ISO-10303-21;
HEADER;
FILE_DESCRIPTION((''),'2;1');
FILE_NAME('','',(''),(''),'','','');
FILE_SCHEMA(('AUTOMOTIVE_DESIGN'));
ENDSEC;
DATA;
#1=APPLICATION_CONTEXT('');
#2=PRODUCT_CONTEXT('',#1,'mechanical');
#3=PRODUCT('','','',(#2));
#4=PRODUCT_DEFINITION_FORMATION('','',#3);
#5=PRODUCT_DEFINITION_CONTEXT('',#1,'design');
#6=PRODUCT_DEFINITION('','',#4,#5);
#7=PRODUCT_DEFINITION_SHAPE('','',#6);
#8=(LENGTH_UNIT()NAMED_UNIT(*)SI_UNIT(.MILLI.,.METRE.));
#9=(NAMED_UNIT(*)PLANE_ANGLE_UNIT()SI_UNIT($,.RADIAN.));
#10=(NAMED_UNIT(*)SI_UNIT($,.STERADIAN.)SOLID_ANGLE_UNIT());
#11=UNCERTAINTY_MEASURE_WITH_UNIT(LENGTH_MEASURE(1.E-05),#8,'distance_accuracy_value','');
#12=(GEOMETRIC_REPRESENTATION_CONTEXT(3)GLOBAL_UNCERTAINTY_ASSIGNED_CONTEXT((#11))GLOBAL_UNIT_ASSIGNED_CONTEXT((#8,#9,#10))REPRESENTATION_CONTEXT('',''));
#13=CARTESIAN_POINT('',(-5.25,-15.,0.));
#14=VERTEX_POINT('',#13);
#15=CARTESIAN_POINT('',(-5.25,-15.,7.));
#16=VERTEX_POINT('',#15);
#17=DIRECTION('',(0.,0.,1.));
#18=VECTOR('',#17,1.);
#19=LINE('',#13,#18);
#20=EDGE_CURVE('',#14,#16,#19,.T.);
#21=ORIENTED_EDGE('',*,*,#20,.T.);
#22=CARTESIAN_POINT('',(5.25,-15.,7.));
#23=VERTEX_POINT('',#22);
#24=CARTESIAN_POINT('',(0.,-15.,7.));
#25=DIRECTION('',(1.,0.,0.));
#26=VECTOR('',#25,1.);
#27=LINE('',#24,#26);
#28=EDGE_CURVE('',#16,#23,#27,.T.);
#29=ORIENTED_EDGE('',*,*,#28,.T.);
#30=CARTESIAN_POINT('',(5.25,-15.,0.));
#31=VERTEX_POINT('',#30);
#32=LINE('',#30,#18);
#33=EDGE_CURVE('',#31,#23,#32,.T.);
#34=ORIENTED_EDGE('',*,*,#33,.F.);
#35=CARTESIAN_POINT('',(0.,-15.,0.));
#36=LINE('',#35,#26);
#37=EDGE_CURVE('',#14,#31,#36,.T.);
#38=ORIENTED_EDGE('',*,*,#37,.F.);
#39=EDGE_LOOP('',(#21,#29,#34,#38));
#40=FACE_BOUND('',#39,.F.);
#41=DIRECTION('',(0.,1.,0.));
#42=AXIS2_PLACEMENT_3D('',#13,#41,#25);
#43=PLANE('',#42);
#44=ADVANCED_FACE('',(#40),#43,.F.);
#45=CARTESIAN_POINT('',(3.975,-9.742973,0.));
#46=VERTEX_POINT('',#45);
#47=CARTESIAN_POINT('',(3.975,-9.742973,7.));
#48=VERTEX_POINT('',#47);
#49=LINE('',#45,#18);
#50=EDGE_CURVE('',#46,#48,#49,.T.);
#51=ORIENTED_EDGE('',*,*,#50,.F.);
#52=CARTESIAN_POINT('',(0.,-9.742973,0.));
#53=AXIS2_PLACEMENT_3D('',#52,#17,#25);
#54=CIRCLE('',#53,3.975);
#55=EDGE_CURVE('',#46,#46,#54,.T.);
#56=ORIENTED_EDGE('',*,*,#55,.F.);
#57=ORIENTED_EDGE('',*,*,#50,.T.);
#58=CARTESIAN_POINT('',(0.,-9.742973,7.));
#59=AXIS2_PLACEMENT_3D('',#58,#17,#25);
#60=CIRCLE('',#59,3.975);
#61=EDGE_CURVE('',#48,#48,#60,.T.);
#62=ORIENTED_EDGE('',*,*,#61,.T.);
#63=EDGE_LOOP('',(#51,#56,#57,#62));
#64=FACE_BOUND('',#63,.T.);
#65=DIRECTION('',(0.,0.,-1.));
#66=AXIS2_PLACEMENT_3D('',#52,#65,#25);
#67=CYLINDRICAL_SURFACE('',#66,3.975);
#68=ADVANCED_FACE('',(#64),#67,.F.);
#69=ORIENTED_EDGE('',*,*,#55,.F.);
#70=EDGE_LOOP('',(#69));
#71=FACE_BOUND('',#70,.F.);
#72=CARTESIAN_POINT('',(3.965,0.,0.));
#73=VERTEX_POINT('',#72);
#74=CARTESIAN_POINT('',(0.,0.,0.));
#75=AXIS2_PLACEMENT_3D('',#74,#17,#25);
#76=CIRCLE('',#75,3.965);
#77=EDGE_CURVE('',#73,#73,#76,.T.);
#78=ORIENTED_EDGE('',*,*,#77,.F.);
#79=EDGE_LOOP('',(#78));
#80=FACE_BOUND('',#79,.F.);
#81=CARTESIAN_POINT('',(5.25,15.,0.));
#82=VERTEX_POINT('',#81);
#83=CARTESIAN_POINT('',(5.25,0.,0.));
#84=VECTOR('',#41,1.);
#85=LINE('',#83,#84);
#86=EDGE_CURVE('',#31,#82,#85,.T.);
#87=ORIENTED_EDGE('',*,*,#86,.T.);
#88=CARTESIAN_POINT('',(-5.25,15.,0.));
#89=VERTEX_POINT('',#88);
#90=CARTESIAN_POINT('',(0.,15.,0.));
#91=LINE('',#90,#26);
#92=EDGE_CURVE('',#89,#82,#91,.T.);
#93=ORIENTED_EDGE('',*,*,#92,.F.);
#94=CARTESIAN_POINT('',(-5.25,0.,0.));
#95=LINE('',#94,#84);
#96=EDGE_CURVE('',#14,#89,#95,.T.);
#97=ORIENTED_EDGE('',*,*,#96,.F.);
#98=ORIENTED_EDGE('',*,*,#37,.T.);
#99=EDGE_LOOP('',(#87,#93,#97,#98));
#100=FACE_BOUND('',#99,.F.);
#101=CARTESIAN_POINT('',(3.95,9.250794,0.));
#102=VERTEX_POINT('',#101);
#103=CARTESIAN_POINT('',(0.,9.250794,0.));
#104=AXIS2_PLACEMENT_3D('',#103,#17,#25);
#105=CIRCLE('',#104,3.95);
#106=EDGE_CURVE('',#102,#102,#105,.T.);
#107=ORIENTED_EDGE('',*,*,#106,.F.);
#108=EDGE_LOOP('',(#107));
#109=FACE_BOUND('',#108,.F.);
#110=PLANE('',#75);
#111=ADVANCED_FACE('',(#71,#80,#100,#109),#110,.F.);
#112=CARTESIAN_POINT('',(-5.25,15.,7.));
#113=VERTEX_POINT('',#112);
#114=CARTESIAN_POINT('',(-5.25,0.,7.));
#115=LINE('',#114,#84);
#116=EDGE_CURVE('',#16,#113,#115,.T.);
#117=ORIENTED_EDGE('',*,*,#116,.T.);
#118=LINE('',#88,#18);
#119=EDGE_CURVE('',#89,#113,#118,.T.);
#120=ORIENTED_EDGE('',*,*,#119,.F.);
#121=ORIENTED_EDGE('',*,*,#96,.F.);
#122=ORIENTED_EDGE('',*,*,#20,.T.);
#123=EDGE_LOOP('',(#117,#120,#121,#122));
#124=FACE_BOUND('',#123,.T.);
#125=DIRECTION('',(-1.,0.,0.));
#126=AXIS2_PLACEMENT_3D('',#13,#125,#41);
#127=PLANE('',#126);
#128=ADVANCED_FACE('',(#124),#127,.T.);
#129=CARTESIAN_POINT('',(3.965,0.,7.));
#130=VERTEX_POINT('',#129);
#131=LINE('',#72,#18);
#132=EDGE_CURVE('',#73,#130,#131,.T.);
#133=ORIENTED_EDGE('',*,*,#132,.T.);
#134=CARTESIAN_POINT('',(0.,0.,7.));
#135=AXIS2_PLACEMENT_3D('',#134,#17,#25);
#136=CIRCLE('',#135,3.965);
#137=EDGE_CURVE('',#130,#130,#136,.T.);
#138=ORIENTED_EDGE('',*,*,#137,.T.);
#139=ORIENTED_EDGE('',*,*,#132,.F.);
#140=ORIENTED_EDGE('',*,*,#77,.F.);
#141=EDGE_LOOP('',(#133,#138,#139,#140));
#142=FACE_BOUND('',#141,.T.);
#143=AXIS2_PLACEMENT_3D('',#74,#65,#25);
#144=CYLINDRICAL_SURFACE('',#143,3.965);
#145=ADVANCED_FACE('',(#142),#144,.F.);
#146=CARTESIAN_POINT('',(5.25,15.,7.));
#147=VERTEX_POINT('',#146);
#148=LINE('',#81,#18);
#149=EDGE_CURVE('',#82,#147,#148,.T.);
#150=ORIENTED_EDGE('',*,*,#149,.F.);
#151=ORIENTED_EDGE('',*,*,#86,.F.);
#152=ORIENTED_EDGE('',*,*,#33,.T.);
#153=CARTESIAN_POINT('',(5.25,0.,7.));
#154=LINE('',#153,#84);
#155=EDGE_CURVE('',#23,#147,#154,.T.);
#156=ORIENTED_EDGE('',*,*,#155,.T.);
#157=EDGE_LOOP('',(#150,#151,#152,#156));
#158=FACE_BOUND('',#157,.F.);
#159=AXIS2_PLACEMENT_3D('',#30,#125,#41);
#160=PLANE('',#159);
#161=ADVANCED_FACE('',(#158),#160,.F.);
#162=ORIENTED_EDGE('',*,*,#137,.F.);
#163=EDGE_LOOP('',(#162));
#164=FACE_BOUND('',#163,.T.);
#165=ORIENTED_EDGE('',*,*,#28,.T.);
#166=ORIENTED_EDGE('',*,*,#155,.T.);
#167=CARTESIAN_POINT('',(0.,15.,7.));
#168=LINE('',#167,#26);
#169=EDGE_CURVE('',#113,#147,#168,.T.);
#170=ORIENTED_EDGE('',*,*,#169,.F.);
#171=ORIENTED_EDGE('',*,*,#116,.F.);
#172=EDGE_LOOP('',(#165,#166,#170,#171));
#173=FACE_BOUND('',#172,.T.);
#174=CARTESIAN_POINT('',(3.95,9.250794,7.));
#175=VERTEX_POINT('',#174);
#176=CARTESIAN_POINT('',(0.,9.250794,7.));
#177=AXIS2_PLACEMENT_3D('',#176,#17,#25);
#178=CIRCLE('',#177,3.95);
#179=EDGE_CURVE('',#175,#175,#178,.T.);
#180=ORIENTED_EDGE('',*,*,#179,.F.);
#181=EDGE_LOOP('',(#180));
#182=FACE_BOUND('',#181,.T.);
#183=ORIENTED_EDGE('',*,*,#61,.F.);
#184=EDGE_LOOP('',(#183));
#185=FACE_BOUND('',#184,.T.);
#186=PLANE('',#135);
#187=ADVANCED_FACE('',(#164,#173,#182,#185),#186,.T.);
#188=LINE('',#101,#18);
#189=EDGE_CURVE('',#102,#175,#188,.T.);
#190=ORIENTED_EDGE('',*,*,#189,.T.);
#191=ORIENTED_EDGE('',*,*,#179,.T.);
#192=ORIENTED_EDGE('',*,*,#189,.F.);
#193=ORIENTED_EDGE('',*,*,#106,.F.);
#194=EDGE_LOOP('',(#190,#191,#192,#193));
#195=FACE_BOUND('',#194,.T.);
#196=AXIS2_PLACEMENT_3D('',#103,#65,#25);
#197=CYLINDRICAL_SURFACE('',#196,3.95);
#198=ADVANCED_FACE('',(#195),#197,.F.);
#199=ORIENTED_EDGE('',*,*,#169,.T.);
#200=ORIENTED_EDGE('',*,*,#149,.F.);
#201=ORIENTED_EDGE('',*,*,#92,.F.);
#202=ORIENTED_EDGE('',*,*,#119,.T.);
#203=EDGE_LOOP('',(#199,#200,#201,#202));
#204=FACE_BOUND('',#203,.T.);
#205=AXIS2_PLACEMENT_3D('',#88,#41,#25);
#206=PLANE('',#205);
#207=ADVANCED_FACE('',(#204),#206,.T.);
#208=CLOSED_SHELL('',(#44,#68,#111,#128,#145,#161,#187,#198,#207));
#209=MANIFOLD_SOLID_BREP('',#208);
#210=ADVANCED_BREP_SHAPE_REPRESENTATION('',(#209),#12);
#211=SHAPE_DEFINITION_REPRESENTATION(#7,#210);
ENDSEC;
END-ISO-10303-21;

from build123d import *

# Parameters (mm, degrees)
F0_W     = 10.5
F0_H     = 30
F0_R     = 3.975
F0_R_2   = 3.965
F0_R_3   = 3.95
F1_DEPTH = 7


with BuildPart() as f1:
    # F0 (on Top) → F1 (new body)
    with BuildSketch(Plane.XY):
        Rectangle(F0_W, F0_H)
        with Locations((0, -9.742973)):
            Circle(F0_R, mode=Mode.SUBTRACT)
        Circle(F0_R_2, mode=Mode.SUBTRACT)
        with Locations((0, 9.250794)):
            Circle(F0_R_3, mode=Mode.SUBTRACT)
    extrude(amount=F1_DEPTH)


solid = f1.part
